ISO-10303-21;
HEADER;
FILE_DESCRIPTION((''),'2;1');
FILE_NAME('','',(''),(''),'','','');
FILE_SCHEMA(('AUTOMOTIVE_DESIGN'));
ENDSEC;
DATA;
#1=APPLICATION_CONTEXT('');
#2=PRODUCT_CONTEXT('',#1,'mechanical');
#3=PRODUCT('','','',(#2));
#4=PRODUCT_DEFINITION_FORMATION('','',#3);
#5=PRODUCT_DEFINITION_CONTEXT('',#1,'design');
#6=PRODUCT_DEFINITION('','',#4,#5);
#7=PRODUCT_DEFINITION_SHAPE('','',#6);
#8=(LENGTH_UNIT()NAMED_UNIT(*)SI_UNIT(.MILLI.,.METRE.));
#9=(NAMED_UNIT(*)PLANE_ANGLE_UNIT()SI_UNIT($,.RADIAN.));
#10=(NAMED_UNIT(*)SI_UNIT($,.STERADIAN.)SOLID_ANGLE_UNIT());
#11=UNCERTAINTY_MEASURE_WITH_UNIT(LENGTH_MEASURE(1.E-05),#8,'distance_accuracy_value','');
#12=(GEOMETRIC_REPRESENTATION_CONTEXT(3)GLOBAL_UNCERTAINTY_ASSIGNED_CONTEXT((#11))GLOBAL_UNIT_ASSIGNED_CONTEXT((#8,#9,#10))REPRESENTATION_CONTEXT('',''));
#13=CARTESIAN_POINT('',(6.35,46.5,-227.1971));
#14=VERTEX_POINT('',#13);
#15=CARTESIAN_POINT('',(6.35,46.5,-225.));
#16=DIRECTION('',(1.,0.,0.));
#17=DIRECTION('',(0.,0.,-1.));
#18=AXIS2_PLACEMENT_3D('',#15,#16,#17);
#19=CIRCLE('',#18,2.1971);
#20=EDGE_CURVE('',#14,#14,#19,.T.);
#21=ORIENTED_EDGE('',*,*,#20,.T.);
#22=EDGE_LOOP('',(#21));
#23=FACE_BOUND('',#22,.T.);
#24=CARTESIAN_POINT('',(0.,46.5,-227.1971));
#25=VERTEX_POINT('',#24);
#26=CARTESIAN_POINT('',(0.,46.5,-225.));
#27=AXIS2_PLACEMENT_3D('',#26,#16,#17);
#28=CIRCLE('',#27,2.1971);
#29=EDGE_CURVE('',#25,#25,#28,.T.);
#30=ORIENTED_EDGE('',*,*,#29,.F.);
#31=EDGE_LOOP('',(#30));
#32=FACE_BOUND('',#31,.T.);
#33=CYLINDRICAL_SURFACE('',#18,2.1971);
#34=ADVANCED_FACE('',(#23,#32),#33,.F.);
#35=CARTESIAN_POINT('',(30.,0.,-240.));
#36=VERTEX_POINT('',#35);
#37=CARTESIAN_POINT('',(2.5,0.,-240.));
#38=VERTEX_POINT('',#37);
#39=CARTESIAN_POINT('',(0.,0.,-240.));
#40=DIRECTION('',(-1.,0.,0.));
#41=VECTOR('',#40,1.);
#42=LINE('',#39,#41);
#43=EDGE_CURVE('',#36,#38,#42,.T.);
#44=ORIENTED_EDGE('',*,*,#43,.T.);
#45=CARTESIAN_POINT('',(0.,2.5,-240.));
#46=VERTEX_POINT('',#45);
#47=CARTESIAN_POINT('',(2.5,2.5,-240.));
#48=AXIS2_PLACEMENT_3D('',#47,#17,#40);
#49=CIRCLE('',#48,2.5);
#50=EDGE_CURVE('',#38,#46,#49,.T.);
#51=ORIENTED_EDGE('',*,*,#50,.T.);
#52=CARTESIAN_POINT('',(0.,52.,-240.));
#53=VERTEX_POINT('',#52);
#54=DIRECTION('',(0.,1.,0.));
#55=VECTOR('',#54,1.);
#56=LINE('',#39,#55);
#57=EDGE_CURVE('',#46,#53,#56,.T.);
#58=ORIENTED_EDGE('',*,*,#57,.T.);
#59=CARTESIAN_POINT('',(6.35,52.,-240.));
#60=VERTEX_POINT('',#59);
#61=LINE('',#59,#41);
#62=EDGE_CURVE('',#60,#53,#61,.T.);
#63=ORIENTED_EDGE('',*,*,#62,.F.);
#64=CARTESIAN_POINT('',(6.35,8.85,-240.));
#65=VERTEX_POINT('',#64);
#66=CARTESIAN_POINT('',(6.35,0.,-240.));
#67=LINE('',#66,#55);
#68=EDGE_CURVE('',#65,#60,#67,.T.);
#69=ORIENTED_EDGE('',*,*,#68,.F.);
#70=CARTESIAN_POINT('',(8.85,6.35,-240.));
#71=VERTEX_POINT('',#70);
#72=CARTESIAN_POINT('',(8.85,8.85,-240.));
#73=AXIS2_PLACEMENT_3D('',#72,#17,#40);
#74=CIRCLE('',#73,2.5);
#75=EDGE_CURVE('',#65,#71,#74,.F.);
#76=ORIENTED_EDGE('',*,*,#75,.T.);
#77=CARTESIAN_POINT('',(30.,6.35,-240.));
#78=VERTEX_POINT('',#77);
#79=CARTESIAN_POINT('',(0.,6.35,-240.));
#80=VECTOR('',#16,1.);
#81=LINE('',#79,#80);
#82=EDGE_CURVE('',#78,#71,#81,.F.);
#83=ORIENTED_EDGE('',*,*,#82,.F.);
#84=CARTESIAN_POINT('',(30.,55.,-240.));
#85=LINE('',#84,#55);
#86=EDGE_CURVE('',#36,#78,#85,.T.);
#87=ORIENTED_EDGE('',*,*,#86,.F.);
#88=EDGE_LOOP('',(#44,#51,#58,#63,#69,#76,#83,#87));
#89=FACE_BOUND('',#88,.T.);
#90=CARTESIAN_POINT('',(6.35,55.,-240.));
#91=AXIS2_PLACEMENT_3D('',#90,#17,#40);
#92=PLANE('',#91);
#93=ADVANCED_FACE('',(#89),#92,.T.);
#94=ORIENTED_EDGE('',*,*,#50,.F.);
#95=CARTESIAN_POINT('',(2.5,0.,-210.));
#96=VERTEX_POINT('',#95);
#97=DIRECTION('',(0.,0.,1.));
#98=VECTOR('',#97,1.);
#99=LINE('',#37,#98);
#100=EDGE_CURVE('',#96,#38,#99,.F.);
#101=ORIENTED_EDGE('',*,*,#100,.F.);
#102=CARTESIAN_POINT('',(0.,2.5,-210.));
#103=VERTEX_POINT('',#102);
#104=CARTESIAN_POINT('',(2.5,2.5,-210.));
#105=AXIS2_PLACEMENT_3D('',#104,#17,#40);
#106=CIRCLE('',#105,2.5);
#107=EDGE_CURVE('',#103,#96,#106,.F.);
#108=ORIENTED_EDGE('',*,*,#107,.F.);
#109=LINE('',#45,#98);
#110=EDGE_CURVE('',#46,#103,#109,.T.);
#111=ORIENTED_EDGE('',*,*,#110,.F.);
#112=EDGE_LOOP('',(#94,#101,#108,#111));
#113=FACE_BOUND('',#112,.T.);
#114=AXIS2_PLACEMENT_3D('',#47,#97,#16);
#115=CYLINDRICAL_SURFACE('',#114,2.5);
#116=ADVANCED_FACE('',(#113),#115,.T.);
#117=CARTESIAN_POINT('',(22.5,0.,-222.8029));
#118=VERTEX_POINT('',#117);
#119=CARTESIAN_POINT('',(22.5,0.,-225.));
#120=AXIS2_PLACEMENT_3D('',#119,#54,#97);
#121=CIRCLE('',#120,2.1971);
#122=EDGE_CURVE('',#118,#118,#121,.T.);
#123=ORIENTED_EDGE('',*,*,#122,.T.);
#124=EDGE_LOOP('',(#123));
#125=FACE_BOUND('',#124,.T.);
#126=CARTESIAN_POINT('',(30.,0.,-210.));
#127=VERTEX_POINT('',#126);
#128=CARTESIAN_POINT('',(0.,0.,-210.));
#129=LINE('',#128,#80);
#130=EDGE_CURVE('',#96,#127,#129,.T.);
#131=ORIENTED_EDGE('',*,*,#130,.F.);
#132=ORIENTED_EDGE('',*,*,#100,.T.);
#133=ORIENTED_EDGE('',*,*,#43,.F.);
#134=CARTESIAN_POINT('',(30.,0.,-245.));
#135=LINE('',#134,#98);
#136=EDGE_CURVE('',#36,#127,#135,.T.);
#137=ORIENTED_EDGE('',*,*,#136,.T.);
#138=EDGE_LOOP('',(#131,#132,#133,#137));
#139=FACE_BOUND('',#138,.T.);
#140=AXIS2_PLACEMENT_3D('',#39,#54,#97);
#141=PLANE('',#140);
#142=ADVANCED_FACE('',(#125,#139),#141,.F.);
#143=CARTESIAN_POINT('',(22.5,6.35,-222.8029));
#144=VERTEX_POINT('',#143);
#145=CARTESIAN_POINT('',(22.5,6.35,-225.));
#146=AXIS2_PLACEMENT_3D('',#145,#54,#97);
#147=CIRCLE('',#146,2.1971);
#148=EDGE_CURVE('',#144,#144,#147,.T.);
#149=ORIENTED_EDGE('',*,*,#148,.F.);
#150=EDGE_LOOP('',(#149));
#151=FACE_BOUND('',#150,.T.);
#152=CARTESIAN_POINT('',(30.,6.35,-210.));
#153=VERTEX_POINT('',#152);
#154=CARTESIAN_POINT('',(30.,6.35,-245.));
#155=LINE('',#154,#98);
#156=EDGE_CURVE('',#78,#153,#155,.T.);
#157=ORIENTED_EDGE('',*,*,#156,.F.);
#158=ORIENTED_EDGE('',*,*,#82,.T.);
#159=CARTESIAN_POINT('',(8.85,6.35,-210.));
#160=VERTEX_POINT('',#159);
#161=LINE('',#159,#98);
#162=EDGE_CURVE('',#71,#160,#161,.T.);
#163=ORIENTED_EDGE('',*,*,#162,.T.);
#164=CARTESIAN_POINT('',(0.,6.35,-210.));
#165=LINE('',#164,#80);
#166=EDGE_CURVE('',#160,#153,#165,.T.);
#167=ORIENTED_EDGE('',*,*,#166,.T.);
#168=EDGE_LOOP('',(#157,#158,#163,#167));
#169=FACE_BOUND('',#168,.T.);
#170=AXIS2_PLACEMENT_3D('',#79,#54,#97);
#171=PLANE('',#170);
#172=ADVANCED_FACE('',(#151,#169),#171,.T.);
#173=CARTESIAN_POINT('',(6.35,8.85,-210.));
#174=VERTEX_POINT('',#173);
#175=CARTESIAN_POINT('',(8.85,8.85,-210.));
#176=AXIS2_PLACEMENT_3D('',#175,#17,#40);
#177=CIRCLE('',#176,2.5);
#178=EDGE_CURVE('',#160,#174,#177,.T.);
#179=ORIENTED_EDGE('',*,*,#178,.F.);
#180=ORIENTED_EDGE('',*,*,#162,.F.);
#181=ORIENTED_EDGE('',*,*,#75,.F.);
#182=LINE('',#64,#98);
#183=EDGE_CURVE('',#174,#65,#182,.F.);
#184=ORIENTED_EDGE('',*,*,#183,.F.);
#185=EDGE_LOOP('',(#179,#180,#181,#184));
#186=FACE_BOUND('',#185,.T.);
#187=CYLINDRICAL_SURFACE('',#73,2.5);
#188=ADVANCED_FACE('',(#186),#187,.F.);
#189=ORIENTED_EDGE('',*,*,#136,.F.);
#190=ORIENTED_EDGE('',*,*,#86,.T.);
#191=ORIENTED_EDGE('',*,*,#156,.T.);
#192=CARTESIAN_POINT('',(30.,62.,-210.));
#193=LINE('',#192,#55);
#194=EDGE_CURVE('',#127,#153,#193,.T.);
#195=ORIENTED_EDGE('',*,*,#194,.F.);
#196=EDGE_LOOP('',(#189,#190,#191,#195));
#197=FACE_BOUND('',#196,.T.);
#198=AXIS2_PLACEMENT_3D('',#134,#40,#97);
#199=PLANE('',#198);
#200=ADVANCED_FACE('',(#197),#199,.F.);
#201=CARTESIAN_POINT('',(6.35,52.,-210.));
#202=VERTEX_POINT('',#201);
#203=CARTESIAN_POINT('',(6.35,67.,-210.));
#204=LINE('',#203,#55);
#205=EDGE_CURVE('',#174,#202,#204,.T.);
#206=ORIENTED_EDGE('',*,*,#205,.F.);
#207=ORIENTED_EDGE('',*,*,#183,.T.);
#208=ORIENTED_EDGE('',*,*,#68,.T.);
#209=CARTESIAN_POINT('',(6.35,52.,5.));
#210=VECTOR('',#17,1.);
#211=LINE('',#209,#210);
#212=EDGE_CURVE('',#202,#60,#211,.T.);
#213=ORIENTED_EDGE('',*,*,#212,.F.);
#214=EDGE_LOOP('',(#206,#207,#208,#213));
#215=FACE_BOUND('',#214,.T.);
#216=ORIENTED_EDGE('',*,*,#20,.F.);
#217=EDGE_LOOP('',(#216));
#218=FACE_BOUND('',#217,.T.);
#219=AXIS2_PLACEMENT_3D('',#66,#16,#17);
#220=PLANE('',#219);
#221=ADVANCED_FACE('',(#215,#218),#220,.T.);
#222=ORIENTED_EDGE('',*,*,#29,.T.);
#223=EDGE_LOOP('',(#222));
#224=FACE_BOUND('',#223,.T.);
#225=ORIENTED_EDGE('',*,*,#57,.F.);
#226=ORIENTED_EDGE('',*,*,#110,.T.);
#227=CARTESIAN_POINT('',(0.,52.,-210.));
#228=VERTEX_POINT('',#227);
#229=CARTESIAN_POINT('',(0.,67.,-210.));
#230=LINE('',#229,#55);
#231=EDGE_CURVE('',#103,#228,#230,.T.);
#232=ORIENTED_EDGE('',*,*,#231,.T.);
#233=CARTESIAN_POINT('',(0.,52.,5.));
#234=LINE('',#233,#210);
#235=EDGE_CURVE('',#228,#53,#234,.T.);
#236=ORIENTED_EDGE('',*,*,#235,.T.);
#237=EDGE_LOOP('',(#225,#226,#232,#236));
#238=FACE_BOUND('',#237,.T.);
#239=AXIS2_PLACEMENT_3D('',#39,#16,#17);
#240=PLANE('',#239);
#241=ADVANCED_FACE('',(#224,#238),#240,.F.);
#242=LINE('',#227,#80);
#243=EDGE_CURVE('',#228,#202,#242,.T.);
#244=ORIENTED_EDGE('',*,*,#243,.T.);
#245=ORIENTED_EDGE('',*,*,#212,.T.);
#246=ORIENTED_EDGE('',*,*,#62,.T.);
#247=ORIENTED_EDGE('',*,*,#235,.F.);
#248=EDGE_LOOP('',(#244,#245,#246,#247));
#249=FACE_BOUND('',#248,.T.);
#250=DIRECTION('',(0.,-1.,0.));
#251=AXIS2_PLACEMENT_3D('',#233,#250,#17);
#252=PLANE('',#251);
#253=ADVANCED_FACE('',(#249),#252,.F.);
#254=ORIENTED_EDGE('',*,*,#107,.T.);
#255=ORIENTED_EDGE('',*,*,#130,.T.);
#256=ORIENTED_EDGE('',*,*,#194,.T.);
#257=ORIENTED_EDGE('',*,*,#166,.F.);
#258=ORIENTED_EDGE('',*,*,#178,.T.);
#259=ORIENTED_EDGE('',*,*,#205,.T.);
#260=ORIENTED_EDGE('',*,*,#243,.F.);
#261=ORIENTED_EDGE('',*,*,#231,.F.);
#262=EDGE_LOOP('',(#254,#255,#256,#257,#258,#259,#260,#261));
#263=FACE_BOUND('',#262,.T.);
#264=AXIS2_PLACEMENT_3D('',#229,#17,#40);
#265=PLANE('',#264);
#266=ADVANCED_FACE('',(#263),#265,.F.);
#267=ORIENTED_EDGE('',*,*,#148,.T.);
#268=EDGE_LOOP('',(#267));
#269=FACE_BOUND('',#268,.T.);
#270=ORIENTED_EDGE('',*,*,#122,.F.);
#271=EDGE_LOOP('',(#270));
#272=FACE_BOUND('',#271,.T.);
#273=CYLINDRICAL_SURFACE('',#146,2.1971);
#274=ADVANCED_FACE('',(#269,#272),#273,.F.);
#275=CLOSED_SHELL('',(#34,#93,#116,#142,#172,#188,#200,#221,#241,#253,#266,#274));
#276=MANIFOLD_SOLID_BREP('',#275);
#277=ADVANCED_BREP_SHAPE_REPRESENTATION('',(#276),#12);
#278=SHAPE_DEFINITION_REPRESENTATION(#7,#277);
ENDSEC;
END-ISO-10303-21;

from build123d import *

# Parameters (mm, degrees)
EXTRUDE_THIN1_DEPTH              = 240
SKETCH3_W                        = 35
SKETCH3_H                        = 300
EXTRUDE2_DEPTH                   = 7.35
SKETCH7_W                        = 300
SKETCH7_H                        = 30
EXTRUDE4_DEPTH                   = 7.35
EXTRUDE5_DEPTH                   = 7.35
TAPPED_HOLE_FOR_8_32_HELICOIL1_D = 4.3942
SKETCH26_W                       = 220
SKETCH26_H                       = 70
EXTRUDE18_DEPTH                  = 24.65
EXTRUDE18_DEPTH_BACK             = 7.35
TAPPED_HOLE_FOR_8_32_HELICOIL2_D = 4.3942
FILLET1_R                        = 2.5


with BuildPart() as part:
    # Sketch1 → Extrude-Thin1 (new body)
    with BuildSketch(Plane.XY):
        Polygon((0, 55), (0, 0), (50.8, 0), (50.8, 6.35), (6.35, 6.35), (6.35, 55), align=None)
    extrude(amount=-EXTRUDE_THIN1_DEPTH)

    # Sketch3 → Extrude2 (cut, through all)
    with BuildSketch(Plane(origin=(0, 6.35, 0), x_dir=(1, 0, 0), z_dir=(0, 1, 0))):
        with Locations((47.5, 95)):
            Rectangle(SKETCH3_W, SKETCH3_H)
    extrude(amount=-EXTRUDE2_DEPTH, mode=Mode.SUBTRACT)

    # Sketch7 → Extrude4 (cut, through all)
    with BuildSketch(Plane(origin=(6.35, 0, 0), x_dir=(0, 0, -1), z_dir=(1, 0, 0))):
        with Locations((145, 67)):
            Rectangle(SKETCH7_W, SKETCH7_H)
    extrude(amount=-EXTRUDE4_DEPTH, mode=Mode.SUBTRACT)

    # Sketch10 → Extrude5 (cut, through all)
    with BuildSketch(Plane(origin=(6.35, 0, 0), x_dir=(0, 0, -1), z_dir=(1, 0, 0))):
        with BuildLine():
            Line((30, 67), (210, 67))
            Line((210, 67), (210, 22))
            ThreePointArc((210, 22), (208.535533906, 18.464466094), (205, 17))
            Line((205, 17), (35, 17))
            ThreePointArc((35, 17), (31.464466094, 18.464466094), (30, 22))
            Line((30, 22), (30, 67))
        make_face()
    extrude(amount=-EXTRUDE5_DEPTH, mode=Mode.SUBTRACT)

    # Tapped Hole for #8-32 Helicoil1 (through all)
    with Locations(Plane(origin=(6.35, 46.5, -15), x_dir=(0, 0, 1), z_dir=(1, 0, 0))):
        with Locations((0, 0), (-210, 0)):
            Hole(TAPPED_HOLE_FOR_8_32_HELICOIL1_D / 2)

    # Sketch26 → Extrude18 (cut, two sides)
    with BuildSketch(Plane(origin=(6.35, 0, 0), x_dir=(0, 0, -1), z_dir=(1, 0, 0))) as extrude18_sk:
        with Locations((100, 27)):
            Rectangle(SKETCH26_W, SKETCH26_H)
    extrude(amount=EXTRUDE18_DEPTH, mode=Mode.SUBTRACT)
    extrude(extrude18_sk.sketch, amount=-EXTRUDE18_DEPTH_BACK, mode=Mode.SUBTRACT)

    # Tapped Hole for #8-32 Helicoil2 (through all)
    with Locations(Plane(origin=(22.5, 6.35, -225), x_dir=(0, 0, 1), z_dir=(0, 1, 0))):
        with Locations((0, 0)):
            Hole(TAPPED_HOLE_FOR_8_32_HELICOIL2_D / 2)

    # Fillet1
    fillet1_edges = [part.edges().sort_by_distance(p)[0] for p in [
        (6.35, 6.35, -225),
        (0, 0, -225),
    ]]
    fillet(fillet1_edges, radius=FILLET1_R)


solid = part.part
